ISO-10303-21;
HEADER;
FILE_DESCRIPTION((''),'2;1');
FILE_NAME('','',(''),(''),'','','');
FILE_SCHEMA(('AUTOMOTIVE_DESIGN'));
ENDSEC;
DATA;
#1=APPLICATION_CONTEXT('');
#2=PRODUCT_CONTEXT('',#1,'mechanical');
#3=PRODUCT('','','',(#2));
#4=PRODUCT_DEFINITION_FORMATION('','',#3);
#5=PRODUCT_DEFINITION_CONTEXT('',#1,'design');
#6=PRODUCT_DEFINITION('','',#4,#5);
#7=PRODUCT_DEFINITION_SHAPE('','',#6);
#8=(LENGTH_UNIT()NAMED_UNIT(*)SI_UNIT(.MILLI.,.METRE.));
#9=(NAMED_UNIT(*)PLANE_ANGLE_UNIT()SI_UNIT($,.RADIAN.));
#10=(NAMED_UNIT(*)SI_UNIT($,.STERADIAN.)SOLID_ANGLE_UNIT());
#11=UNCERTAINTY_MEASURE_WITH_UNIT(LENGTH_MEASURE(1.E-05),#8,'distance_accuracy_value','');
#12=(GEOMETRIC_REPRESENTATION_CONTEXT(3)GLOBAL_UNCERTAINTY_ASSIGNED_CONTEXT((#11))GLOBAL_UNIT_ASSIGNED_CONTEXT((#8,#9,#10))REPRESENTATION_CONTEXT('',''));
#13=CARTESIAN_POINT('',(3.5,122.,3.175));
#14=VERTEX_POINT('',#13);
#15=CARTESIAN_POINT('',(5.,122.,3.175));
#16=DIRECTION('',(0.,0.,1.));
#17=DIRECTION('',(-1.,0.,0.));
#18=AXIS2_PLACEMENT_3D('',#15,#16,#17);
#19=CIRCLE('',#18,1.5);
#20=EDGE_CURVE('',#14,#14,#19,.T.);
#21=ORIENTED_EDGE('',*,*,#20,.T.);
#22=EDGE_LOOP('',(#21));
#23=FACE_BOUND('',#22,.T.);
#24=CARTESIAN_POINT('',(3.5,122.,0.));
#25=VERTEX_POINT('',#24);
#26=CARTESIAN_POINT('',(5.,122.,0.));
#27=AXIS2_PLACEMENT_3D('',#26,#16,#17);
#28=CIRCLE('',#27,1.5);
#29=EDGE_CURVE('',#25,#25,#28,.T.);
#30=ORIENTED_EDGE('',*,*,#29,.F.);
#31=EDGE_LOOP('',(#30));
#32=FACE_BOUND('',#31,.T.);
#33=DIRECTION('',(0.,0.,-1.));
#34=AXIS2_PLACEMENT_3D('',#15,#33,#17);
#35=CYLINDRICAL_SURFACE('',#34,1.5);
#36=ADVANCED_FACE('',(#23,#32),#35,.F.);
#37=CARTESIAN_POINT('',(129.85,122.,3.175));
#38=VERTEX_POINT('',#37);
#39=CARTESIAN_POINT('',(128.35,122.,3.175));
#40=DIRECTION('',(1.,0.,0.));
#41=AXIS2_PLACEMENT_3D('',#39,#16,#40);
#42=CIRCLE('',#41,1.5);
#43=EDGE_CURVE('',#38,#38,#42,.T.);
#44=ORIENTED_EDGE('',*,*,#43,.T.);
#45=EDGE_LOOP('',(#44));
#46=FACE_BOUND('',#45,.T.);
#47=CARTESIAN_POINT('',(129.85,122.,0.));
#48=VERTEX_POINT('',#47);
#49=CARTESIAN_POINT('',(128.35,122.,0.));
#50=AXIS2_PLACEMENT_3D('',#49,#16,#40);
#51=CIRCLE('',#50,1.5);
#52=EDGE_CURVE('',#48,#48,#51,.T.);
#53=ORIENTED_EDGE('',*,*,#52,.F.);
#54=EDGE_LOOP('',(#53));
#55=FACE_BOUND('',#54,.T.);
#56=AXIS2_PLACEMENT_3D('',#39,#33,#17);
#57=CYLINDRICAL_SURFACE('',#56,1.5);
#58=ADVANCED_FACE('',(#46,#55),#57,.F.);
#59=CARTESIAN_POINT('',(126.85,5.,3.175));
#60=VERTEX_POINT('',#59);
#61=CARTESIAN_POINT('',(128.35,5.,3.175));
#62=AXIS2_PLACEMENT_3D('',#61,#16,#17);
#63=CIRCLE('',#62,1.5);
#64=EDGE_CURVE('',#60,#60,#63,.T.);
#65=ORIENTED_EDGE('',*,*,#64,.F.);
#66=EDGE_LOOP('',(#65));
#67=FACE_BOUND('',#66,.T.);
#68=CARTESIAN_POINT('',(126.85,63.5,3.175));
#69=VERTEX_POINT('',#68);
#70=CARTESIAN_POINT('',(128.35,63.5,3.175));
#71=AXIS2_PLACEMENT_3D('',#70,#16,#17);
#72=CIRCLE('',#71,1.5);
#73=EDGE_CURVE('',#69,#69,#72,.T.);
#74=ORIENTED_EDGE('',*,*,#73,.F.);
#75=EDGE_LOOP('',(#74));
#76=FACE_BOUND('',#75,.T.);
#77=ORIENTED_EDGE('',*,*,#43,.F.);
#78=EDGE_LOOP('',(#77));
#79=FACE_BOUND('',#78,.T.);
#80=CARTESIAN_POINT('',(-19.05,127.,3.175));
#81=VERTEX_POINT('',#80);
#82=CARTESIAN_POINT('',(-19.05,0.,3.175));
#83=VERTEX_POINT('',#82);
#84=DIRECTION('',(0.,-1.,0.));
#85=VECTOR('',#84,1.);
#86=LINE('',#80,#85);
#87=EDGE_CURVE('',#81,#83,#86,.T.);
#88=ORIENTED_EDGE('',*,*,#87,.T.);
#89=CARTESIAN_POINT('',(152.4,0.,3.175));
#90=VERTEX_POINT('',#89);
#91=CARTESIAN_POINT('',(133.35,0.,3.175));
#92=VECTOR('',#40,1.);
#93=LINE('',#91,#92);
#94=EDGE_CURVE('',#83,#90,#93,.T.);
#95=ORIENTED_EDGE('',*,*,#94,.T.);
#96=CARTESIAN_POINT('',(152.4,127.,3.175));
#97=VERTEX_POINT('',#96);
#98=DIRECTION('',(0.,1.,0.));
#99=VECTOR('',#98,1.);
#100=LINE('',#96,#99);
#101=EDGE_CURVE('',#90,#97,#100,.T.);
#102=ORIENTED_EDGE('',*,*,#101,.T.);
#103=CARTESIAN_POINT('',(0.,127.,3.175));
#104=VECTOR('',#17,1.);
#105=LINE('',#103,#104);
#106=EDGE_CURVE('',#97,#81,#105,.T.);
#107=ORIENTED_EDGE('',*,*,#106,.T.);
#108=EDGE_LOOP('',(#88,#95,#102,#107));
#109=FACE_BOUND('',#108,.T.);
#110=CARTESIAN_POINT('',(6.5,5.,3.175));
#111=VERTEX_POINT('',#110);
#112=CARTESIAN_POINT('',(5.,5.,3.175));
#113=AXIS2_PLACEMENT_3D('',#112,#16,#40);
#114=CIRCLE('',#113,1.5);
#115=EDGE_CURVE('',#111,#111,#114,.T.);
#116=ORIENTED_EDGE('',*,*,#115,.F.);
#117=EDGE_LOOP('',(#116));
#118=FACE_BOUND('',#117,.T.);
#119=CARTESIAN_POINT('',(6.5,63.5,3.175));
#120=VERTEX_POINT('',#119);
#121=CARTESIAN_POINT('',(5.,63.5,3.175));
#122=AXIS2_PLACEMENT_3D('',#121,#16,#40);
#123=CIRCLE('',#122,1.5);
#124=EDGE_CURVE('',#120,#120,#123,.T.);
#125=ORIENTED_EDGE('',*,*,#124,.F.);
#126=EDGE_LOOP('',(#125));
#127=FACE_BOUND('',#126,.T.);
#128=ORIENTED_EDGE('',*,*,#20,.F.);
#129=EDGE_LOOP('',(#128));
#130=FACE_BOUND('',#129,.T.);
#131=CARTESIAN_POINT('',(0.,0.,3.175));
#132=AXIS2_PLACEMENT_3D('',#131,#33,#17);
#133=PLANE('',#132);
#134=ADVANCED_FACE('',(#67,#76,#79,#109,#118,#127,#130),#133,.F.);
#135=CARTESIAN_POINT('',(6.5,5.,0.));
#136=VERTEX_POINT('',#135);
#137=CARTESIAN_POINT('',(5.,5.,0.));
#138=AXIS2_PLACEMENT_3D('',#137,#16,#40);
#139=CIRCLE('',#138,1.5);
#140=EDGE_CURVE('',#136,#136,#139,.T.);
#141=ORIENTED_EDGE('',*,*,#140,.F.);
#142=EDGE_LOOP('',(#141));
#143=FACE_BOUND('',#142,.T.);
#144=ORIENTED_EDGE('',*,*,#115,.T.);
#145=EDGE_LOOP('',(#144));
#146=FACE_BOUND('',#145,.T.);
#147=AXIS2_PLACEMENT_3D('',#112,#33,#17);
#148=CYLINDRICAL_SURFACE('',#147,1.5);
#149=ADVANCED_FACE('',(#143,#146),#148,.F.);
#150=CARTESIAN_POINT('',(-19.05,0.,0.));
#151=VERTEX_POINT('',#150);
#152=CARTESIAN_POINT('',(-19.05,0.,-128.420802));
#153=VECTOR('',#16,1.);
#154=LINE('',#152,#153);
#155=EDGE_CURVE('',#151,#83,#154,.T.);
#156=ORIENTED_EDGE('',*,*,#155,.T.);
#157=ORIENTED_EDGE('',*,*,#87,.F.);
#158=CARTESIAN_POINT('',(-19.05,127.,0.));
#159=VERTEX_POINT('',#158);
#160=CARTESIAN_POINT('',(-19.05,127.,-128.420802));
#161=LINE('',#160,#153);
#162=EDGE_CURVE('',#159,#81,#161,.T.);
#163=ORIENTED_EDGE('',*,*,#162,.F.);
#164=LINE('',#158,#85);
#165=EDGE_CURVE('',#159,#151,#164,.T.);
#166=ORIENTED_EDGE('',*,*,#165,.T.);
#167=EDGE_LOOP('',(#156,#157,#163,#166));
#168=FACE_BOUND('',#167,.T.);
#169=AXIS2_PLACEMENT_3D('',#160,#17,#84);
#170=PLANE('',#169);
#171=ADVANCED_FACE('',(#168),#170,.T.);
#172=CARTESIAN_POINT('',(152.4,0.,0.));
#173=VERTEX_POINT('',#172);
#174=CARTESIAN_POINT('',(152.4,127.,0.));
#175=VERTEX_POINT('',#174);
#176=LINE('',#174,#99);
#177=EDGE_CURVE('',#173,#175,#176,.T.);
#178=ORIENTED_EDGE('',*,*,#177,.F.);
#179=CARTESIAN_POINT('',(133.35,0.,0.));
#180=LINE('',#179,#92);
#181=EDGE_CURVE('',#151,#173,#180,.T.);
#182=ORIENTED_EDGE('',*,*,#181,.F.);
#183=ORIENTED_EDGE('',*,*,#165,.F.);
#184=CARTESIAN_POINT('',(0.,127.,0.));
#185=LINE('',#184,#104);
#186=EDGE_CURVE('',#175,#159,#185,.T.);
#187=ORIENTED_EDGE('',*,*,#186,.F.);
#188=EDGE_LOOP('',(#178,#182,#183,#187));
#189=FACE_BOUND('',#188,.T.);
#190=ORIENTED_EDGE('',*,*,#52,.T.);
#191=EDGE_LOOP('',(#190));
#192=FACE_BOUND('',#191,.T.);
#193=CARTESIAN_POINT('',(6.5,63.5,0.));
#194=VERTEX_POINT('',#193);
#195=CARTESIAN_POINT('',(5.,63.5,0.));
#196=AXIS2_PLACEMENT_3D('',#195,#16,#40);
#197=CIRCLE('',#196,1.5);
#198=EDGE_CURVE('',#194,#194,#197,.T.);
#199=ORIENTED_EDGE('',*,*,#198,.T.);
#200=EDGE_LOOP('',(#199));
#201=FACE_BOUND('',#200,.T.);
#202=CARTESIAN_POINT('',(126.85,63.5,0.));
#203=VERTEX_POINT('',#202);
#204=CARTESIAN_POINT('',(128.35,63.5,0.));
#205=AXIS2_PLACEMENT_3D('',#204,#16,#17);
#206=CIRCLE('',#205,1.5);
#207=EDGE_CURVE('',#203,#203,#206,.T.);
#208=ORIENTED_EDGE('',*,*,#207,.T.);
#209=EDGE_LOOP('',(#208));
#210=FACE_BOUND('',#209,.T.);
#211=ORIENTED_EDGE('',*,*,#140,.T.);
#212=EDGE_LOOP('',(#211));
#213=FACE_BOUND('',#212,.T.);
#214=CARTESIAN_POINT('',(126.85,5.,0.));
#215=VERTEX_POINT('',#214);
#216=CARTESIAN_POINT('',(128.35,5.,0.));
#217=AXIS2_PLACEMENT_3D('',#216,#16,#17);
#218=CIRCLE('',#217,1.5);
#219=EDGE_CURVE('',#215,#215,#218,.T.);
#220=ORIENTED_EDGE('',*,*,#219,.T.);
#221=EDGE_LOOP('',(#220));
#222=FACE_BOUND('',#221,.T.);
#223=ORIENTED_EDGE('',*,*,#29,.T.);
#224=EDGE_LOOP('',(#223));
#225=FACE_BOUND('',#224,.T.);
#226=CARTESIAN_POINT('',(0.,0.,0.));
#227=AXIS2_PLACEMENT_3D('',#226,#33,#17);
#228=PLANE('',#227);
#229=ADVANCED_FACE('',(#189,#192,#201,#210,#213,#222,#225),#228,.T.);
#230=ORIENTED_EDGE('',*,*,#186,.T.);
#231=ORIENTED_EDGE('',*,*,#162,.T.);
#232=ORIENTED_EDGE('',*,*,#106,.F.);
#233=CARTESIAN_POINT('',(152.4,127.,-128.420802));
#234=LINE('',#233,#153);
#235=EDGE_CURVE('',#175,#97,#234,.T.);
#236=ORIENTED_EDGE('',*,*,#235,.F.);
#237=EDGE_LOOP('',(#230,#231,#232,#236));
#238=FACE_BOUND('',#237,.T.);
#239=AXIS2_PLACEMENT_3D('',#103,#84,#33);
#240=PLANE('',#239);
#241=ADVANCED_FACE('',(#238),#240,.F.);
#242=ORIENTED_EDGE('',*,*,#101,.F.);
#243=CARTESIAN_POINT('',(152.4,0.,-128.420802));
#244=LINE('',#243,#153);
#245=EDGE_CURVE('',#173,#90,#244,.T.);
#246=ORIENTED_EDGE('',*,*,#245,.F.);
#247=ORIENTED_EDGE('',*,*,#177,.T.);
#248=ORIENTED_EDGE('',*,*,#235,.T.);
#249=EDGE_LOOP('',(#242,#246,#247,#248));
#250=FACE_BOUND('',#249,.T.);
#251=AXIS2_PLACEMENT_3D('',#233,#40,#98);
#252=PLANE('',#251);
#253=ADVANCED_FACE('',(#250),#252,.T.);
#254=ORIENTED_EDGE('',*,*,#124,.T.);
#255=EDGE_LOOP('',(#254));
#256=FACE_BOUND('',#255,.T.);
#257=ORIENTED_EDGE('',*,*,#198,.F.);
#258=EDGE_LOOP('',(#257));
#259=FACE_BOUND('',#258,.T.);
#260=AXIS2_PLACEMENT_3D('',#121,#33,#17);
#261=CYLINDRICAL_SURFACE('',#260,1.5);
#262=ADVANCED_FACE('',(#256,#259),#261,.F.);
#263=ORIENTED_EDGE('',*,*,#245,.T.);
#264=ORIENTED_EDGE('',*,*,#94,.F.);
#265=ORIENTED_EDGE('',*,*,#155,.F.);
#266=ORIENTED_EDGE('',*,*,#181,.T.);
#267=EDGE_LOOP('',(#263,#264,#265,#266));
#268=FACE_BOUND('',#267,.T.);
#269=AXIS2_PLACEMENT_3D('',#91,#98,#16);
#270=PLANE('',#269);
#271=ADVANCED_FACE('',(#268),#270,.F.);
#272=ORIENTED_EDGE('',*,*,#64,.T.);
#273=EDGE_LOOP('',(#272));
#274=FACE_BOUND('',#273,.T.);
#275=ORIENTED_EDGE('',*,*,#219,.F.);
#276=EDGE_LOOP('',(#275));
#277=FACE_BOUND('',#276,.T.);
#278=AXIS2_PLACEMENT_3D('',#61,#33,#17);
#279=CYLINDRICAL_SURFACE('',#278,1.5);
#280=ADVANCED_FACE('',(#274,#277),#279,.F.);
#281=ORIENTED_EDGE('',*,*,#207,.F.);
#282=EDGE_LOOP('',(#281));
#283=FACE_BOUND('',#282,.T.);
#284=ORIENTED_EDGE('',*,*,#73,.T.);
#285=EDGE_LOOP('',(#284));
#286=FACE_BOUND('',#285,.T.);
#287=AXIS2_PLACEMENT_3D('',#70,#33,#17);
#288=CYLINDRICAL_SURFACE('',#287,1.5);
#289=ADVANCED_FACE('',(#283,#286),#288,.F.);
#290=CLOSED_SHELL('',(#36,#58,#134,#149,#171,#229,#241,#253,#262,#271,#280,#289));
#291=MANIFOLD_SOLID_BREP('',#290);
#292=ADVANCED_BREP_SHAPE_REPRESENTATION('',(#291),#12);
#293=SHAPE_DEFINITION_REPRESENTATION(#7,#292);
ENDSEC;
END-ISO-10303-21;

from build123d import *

# Parameters (mm, degrees)
SKETCH1_W           = 133.35
SKETCH1_H           = 127
SKETCH1_R           = 1.5
BOSS_EXTRUDE1_DEPTH = 3.175
SKETCH3_W           = 19.05
SKETCH3_H           = 127
BOSS_EXTRUDE2_DEPTH = 3.175


with BuildPart() as part:
    # Sketch1 → Boss-Extrude1 (new body)
    with BuildSketch(Plane.XY):
        with Locations((66.675, 63.5)):
            Rectangle(SKETCH1_W, SKETCH1_H)
        with Locations((5, 5)):
            Circle(SKETCH1_R, mode=Mode.SUBTRACT)
        with Locations(Location((5, 122, 0), (0, 0, 180))):
            Circle(SKETCH1_R, mode=Mode.SUBTRACT)
        with Locations((5, 63.5)):
            Circle(SKETCH1_R, mode=Mode.SUBTRACT)
        with Locations((128.35, 122)):
            Circle(SKETCH1_R, mode=Mode.SUBTRACT)
        with Locations(Location((128.35, 63.5, 0), (0, 0, 180))):
            Circle(SKETCH1_R, mode=Mode.SUBTRACT)
        with Locations(Location((128.35, 5, 0), (0, 0, 180))):
            Circle(SKETCH1_R, mode=Mode.SUBTRACT)
    extrude(amount=BOSS_EXTRUDE1_DEPTH)

    # Sketch3 → Boss-Extrude2 (add)
    with BuildSketch(Plane.XY.offset(3.175)):
        with Locations((-9.525, 63.5)):
            Rectangle(SKETCH3_W, SKETCH3_H)
        with Locations((142.875, 63.5)):
            Rectangle(SKETCH3_W, SKETCH3_H)
    extrude(amount=-BOSS_EXTRUDE2_DEPTH)


solid = part.part
